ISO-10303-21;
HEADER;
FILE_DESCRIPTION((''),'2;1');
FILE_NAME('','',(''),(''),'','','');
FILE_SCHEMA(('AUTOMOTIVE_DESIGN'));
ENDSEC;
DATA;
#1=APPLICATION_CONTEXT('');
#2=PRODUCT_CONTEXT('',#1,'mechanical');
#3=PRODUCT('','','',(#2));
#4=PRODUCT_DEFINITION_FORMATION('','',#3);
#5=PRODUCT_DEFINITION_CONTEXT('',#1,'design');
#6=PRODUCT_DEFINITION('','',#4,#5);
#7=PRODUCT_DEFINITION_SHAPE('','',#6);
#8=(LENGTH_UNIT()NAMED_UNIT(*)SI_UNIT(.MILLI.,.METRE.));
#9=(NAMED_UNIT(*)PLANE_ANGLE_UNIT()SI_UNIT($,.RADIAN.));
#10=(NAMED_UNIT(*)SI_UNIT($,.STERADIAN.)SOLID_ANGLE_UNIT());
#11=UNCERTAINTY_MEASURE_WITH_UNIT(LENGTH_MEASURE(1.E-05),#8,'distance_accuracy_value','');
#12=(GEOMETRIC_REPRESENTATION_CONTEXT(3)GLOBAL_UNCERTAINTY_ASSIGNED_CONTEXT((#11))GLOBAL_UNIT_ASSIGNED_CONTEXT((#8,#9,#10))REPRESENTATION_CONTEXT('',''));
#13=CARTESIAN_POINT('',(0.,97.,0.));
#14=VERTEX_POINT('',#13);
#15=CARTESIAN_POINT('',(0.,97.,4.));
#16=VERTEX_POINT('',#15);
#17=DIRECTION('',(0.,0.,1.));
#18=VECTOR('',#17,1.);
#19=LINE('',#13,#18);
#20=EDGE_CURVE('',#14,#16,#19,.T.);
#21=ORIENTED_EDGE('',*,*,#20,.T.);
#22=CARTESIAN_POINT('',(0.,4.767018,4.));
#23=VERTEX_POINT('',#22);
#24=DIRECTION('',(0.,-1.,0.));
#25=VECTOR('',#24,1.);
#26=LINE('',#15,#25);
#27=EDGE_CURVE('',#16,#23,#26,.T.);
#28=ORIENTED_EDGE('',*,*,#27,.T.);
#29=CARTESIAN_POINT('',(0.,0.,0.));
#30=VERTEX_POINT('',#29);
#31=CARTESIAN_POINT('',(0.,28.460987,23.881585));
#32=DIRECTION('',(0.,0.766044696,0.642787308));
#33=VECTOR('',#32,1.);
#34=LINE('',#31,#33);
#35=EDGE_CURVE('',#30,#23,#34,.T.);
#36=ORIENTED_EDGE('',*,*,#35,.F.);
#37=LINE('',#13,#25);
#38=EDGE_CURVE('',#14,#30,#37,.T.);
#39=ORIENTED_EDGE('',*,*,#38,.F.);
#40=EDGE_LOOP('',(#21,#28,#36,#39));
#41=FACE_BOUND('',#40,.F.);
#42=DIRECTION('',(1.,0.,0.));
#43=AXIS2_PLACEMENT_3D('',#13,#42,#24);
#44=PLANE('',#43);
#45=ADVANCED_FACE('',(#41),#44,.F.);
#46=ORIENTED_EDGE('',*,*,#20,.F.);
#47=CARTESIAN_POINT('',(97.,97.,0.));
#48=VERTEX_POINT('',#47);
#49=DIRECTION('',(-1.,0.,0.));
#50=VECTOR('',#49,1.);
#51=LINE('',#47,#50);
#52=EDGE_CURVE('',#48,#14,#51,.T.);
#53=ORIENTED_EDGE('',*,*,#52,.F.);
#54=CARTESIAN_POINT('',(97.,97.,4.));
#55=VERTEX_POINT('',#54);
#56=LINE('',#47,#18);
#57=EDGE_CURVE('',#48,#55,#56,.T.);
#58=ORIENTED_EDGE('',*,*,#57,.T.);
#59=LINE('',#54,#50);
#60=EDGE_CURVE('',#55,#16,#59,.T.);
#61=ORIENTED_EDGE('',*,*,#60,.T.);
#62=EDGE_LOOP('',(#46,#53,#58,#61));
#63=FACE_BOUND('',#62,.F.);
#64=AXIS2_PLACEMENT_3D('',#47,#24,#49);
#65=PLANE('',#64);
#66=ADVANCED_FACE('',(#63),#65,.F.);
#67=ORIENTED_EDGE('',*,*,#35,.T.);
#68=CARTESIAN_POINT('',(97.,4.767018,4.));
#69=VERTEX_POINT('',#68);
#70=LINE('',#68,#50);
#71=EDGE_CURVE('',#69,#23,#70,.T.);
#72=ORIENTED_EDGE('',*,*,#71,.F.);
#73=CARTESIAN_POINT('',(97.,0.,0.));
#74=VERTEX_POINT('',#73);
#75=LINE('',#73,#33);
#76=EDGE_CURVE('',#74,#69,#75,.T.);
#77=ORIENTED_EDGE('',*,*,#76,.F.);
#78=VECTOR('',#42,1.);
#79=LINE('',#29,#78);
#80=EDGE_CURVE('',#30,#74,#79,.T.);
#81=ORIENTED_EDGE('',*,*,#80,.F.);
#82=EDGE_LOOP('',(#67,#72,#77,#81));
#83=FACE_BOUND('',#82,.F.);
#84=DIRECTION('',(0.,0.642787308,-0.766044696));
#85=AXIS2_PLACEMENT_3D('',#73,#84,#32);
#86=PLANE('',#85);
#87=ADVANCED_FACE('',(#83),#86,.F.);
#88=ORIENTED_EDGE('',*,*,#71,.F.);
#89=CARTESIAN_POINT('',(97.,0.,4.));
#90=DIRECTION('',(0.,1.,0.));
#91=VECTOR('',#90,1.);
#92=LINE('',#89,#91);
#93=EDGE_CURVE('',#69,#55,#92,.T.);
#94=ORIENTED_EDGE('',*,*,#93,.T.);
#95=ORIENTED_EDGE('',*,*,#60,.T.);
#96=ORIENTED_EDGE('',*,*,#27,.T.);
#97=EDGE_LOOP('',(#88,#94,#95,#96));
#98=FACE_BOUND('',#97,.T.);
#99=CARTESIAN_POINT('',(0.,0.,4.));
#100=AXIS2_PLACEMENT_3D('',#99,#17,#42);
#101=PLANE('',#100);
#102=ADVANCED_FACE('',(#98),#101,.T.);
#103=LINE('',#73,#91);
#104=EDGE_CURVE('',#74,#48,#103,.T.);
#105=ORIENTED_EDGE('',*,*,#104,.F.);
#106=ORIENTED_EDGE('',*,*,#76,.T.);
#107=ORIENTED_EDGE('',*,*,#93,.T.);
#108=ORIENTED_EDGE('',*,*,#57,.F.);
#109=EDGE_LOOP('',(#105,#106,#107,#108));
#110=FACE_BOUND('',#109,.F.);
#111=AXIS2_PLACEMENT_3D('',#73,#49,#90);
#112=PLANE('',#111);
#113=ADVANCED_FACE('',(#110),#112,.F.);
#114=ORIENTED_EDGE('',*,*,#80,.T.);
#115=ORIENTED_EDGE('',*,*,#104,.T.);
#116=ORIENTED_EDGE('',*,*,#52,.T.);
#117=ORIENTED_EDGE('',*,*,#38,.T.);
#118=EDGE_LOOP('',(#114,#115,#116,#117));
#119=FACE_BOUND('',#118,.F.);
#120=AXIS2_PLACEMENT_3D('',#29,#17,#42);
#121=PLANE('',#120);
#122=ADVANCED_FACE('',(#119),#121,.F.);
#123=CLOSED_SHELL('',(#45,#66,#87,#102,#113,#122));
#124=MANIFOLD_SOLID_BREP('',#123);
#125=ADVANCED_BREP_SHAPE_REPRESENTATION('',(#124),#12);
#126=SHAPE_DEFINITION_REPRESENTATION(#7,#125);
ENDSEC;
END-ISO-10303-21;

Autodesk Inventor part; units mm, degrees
ref_plane "YZ Plane" through (0, 0, 0) normal (1, 0, 0) x (0, 1, 0)
ref_plane "XZ Plane" through (0, 0, 0) normal (0, 1, 0) x (-1, 0, 0)
ref_plane "XY Plane" through (0, 0, 0) normal (0, 0, 1) x (1, 0, 0)
sketch "Sketch1" plane through (0, 0, 0) normal (0, 0, 1) x (1, 0, 0)
  line L0 (0, 0) -> (97, 0)
  line L1 (97, 0) -> (97, 97)
  line L2 (97, 97) -> (0, 97)
  line L3 (0, 97) -> (0, 0)
  dimension "d0" = 97
  dimension "d1" = 97
extrude "Extrusion1" add sketch "Sketch1" along normal blind 4
sketch "Sketch3" plane through (97, 0, 0) normal (1, 0, 0) x (0, 0, -1)
  line L0 (0, 0) -> (-4, 0) projected
  line L1 (0, 0) -> (-11, 13.1093)
  line L2 (0, 0) -> (0, 97) projected
  line L3 (0, 97) -> (-4, 97) projected
  line L4 (-4, 0) -> (-4, 97) projected
  line L5 (0, 0) -> (-4, 0) projected
  point P0 (-4, 4.767)
  dimension "d11" = 7
  dimension "d12" = 40
extrude "Extrusion2" cut sketch "Sketch3" against normal through all contours L0 L4 L1
properties part number "MetalBottom"
